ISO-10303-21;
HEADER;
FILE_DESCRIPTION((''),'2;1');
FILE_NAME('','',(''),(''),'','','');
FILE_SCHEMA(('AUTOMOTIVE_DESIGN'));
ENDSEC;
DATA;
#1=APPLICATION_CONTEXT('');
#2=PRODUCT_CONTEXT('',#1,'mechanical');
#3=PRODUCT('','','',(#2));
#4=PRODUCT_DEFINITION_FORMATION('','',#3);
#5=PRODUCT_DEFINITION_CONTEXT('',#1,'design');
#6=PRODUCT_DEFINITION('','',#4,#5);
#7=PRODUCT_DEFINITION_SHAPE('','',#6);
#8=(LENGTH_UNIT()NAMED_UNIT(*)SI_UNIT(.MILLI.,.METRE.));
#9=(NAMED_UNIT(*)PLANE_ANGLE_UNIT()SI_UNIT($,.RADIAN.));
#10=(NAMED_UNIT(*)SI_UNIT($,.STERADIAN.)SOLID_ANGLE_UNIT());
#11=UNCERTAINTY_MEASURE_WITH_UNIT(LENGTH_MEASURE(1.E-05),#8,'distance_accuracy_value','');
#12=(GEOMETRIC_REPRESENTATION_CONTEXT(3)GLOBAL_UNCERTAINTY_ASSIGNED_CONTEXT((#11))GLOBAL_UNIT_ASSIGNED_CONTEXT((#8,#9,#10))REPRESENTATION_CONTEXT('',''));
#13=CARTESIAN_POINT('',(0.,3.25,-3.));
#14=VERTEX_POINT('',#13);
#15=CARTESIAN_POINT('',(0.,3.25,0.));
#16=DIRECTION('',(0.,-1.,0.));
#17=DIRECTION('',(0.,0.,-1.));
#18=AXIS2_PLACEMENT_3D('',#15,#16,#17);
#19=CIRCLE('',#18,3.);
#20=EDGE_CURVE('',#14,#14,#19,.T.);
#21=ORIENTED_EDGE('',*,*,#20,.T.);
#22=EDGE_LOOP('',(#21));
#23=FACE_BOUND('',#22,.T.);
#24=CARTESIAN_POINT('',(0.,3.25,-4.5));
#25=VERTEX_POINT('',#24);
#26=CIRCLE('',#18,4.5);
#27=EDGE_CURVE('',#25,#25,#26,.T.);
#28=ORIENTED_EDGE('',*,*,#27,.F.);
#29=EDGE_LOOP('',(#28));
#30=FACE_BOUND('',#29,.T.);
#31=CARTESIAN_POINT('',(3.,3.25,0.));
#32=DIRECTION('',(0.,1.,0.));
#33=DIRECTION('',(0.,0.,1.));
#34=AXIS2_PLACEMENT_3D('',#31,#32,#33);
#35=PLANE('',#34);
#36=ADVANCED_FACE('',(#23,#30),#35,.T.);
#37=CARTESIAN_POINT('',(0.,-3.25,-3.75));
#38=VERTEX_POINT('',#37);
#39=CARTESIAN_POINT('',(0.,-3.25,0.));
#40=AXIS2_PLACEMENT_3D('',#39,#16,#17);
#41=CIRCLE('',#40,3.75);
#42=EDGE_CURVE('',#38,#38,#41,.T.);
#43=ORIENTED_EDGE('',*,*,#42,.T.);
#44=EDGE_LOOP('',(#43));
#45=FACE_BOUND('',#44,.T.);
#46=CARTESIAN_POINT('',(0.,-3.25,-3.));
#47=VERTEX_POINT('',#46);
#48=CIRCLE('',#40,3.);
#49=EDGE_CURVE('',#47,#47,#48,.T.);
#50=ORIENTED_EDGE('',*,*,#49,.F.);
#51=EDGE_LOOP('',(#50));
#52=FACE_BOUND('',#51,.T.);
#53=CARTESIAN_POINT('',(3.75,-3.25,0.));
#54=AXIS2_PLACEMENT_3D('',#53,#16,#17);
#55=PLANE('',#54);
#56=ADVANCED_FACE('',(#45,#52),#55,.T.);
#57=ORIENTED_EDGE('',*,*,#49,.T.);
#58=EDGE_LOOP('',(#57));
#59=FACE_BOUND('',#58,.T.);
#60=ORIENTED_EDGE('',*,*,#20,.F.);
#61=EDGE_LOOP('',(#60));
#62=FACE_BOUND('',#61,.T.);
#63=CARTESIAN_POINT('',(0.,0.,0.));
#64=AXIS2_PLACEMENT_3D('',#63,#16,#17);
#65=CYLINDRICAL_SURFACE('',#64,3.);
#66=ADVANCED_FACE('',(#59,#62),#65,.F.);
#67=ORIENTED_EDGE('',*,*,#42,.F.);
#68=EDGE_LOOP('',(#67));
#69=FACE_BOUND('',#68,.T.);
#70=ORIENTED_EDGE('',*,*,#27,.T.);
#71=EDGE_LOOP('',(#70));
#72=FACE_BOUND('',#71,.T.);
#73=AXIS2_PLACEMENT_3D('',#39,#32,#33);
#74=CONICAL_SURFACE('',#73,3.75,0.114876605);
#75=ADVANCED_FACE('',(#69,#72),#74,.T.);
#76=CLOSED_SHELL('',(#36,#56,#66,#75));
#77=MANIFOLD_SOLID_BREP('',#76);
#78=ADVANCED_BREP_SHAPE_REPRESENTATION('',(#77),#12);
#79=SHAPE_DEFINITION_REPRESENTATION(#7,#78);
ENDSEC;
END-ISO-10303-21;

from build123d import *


with BuildPart() as part:
    # Sketch1 → Revolve1 (revolve)
    with BuildSketch(Plane.XY, mode=Mode.PRIVATE) as revolve1_sk:
        Polygon((3, 3.25), (4.5, 3.25), (3.75, -3.25), (3, -3.25), align=None)
    revolve(revolve1_sk.sketch.rotate(Axis((0, 0, 0), (0, 1, 0)), 90), axis=Axis((0, 0, 0), (0, 1, 0)))


solid = part.part
